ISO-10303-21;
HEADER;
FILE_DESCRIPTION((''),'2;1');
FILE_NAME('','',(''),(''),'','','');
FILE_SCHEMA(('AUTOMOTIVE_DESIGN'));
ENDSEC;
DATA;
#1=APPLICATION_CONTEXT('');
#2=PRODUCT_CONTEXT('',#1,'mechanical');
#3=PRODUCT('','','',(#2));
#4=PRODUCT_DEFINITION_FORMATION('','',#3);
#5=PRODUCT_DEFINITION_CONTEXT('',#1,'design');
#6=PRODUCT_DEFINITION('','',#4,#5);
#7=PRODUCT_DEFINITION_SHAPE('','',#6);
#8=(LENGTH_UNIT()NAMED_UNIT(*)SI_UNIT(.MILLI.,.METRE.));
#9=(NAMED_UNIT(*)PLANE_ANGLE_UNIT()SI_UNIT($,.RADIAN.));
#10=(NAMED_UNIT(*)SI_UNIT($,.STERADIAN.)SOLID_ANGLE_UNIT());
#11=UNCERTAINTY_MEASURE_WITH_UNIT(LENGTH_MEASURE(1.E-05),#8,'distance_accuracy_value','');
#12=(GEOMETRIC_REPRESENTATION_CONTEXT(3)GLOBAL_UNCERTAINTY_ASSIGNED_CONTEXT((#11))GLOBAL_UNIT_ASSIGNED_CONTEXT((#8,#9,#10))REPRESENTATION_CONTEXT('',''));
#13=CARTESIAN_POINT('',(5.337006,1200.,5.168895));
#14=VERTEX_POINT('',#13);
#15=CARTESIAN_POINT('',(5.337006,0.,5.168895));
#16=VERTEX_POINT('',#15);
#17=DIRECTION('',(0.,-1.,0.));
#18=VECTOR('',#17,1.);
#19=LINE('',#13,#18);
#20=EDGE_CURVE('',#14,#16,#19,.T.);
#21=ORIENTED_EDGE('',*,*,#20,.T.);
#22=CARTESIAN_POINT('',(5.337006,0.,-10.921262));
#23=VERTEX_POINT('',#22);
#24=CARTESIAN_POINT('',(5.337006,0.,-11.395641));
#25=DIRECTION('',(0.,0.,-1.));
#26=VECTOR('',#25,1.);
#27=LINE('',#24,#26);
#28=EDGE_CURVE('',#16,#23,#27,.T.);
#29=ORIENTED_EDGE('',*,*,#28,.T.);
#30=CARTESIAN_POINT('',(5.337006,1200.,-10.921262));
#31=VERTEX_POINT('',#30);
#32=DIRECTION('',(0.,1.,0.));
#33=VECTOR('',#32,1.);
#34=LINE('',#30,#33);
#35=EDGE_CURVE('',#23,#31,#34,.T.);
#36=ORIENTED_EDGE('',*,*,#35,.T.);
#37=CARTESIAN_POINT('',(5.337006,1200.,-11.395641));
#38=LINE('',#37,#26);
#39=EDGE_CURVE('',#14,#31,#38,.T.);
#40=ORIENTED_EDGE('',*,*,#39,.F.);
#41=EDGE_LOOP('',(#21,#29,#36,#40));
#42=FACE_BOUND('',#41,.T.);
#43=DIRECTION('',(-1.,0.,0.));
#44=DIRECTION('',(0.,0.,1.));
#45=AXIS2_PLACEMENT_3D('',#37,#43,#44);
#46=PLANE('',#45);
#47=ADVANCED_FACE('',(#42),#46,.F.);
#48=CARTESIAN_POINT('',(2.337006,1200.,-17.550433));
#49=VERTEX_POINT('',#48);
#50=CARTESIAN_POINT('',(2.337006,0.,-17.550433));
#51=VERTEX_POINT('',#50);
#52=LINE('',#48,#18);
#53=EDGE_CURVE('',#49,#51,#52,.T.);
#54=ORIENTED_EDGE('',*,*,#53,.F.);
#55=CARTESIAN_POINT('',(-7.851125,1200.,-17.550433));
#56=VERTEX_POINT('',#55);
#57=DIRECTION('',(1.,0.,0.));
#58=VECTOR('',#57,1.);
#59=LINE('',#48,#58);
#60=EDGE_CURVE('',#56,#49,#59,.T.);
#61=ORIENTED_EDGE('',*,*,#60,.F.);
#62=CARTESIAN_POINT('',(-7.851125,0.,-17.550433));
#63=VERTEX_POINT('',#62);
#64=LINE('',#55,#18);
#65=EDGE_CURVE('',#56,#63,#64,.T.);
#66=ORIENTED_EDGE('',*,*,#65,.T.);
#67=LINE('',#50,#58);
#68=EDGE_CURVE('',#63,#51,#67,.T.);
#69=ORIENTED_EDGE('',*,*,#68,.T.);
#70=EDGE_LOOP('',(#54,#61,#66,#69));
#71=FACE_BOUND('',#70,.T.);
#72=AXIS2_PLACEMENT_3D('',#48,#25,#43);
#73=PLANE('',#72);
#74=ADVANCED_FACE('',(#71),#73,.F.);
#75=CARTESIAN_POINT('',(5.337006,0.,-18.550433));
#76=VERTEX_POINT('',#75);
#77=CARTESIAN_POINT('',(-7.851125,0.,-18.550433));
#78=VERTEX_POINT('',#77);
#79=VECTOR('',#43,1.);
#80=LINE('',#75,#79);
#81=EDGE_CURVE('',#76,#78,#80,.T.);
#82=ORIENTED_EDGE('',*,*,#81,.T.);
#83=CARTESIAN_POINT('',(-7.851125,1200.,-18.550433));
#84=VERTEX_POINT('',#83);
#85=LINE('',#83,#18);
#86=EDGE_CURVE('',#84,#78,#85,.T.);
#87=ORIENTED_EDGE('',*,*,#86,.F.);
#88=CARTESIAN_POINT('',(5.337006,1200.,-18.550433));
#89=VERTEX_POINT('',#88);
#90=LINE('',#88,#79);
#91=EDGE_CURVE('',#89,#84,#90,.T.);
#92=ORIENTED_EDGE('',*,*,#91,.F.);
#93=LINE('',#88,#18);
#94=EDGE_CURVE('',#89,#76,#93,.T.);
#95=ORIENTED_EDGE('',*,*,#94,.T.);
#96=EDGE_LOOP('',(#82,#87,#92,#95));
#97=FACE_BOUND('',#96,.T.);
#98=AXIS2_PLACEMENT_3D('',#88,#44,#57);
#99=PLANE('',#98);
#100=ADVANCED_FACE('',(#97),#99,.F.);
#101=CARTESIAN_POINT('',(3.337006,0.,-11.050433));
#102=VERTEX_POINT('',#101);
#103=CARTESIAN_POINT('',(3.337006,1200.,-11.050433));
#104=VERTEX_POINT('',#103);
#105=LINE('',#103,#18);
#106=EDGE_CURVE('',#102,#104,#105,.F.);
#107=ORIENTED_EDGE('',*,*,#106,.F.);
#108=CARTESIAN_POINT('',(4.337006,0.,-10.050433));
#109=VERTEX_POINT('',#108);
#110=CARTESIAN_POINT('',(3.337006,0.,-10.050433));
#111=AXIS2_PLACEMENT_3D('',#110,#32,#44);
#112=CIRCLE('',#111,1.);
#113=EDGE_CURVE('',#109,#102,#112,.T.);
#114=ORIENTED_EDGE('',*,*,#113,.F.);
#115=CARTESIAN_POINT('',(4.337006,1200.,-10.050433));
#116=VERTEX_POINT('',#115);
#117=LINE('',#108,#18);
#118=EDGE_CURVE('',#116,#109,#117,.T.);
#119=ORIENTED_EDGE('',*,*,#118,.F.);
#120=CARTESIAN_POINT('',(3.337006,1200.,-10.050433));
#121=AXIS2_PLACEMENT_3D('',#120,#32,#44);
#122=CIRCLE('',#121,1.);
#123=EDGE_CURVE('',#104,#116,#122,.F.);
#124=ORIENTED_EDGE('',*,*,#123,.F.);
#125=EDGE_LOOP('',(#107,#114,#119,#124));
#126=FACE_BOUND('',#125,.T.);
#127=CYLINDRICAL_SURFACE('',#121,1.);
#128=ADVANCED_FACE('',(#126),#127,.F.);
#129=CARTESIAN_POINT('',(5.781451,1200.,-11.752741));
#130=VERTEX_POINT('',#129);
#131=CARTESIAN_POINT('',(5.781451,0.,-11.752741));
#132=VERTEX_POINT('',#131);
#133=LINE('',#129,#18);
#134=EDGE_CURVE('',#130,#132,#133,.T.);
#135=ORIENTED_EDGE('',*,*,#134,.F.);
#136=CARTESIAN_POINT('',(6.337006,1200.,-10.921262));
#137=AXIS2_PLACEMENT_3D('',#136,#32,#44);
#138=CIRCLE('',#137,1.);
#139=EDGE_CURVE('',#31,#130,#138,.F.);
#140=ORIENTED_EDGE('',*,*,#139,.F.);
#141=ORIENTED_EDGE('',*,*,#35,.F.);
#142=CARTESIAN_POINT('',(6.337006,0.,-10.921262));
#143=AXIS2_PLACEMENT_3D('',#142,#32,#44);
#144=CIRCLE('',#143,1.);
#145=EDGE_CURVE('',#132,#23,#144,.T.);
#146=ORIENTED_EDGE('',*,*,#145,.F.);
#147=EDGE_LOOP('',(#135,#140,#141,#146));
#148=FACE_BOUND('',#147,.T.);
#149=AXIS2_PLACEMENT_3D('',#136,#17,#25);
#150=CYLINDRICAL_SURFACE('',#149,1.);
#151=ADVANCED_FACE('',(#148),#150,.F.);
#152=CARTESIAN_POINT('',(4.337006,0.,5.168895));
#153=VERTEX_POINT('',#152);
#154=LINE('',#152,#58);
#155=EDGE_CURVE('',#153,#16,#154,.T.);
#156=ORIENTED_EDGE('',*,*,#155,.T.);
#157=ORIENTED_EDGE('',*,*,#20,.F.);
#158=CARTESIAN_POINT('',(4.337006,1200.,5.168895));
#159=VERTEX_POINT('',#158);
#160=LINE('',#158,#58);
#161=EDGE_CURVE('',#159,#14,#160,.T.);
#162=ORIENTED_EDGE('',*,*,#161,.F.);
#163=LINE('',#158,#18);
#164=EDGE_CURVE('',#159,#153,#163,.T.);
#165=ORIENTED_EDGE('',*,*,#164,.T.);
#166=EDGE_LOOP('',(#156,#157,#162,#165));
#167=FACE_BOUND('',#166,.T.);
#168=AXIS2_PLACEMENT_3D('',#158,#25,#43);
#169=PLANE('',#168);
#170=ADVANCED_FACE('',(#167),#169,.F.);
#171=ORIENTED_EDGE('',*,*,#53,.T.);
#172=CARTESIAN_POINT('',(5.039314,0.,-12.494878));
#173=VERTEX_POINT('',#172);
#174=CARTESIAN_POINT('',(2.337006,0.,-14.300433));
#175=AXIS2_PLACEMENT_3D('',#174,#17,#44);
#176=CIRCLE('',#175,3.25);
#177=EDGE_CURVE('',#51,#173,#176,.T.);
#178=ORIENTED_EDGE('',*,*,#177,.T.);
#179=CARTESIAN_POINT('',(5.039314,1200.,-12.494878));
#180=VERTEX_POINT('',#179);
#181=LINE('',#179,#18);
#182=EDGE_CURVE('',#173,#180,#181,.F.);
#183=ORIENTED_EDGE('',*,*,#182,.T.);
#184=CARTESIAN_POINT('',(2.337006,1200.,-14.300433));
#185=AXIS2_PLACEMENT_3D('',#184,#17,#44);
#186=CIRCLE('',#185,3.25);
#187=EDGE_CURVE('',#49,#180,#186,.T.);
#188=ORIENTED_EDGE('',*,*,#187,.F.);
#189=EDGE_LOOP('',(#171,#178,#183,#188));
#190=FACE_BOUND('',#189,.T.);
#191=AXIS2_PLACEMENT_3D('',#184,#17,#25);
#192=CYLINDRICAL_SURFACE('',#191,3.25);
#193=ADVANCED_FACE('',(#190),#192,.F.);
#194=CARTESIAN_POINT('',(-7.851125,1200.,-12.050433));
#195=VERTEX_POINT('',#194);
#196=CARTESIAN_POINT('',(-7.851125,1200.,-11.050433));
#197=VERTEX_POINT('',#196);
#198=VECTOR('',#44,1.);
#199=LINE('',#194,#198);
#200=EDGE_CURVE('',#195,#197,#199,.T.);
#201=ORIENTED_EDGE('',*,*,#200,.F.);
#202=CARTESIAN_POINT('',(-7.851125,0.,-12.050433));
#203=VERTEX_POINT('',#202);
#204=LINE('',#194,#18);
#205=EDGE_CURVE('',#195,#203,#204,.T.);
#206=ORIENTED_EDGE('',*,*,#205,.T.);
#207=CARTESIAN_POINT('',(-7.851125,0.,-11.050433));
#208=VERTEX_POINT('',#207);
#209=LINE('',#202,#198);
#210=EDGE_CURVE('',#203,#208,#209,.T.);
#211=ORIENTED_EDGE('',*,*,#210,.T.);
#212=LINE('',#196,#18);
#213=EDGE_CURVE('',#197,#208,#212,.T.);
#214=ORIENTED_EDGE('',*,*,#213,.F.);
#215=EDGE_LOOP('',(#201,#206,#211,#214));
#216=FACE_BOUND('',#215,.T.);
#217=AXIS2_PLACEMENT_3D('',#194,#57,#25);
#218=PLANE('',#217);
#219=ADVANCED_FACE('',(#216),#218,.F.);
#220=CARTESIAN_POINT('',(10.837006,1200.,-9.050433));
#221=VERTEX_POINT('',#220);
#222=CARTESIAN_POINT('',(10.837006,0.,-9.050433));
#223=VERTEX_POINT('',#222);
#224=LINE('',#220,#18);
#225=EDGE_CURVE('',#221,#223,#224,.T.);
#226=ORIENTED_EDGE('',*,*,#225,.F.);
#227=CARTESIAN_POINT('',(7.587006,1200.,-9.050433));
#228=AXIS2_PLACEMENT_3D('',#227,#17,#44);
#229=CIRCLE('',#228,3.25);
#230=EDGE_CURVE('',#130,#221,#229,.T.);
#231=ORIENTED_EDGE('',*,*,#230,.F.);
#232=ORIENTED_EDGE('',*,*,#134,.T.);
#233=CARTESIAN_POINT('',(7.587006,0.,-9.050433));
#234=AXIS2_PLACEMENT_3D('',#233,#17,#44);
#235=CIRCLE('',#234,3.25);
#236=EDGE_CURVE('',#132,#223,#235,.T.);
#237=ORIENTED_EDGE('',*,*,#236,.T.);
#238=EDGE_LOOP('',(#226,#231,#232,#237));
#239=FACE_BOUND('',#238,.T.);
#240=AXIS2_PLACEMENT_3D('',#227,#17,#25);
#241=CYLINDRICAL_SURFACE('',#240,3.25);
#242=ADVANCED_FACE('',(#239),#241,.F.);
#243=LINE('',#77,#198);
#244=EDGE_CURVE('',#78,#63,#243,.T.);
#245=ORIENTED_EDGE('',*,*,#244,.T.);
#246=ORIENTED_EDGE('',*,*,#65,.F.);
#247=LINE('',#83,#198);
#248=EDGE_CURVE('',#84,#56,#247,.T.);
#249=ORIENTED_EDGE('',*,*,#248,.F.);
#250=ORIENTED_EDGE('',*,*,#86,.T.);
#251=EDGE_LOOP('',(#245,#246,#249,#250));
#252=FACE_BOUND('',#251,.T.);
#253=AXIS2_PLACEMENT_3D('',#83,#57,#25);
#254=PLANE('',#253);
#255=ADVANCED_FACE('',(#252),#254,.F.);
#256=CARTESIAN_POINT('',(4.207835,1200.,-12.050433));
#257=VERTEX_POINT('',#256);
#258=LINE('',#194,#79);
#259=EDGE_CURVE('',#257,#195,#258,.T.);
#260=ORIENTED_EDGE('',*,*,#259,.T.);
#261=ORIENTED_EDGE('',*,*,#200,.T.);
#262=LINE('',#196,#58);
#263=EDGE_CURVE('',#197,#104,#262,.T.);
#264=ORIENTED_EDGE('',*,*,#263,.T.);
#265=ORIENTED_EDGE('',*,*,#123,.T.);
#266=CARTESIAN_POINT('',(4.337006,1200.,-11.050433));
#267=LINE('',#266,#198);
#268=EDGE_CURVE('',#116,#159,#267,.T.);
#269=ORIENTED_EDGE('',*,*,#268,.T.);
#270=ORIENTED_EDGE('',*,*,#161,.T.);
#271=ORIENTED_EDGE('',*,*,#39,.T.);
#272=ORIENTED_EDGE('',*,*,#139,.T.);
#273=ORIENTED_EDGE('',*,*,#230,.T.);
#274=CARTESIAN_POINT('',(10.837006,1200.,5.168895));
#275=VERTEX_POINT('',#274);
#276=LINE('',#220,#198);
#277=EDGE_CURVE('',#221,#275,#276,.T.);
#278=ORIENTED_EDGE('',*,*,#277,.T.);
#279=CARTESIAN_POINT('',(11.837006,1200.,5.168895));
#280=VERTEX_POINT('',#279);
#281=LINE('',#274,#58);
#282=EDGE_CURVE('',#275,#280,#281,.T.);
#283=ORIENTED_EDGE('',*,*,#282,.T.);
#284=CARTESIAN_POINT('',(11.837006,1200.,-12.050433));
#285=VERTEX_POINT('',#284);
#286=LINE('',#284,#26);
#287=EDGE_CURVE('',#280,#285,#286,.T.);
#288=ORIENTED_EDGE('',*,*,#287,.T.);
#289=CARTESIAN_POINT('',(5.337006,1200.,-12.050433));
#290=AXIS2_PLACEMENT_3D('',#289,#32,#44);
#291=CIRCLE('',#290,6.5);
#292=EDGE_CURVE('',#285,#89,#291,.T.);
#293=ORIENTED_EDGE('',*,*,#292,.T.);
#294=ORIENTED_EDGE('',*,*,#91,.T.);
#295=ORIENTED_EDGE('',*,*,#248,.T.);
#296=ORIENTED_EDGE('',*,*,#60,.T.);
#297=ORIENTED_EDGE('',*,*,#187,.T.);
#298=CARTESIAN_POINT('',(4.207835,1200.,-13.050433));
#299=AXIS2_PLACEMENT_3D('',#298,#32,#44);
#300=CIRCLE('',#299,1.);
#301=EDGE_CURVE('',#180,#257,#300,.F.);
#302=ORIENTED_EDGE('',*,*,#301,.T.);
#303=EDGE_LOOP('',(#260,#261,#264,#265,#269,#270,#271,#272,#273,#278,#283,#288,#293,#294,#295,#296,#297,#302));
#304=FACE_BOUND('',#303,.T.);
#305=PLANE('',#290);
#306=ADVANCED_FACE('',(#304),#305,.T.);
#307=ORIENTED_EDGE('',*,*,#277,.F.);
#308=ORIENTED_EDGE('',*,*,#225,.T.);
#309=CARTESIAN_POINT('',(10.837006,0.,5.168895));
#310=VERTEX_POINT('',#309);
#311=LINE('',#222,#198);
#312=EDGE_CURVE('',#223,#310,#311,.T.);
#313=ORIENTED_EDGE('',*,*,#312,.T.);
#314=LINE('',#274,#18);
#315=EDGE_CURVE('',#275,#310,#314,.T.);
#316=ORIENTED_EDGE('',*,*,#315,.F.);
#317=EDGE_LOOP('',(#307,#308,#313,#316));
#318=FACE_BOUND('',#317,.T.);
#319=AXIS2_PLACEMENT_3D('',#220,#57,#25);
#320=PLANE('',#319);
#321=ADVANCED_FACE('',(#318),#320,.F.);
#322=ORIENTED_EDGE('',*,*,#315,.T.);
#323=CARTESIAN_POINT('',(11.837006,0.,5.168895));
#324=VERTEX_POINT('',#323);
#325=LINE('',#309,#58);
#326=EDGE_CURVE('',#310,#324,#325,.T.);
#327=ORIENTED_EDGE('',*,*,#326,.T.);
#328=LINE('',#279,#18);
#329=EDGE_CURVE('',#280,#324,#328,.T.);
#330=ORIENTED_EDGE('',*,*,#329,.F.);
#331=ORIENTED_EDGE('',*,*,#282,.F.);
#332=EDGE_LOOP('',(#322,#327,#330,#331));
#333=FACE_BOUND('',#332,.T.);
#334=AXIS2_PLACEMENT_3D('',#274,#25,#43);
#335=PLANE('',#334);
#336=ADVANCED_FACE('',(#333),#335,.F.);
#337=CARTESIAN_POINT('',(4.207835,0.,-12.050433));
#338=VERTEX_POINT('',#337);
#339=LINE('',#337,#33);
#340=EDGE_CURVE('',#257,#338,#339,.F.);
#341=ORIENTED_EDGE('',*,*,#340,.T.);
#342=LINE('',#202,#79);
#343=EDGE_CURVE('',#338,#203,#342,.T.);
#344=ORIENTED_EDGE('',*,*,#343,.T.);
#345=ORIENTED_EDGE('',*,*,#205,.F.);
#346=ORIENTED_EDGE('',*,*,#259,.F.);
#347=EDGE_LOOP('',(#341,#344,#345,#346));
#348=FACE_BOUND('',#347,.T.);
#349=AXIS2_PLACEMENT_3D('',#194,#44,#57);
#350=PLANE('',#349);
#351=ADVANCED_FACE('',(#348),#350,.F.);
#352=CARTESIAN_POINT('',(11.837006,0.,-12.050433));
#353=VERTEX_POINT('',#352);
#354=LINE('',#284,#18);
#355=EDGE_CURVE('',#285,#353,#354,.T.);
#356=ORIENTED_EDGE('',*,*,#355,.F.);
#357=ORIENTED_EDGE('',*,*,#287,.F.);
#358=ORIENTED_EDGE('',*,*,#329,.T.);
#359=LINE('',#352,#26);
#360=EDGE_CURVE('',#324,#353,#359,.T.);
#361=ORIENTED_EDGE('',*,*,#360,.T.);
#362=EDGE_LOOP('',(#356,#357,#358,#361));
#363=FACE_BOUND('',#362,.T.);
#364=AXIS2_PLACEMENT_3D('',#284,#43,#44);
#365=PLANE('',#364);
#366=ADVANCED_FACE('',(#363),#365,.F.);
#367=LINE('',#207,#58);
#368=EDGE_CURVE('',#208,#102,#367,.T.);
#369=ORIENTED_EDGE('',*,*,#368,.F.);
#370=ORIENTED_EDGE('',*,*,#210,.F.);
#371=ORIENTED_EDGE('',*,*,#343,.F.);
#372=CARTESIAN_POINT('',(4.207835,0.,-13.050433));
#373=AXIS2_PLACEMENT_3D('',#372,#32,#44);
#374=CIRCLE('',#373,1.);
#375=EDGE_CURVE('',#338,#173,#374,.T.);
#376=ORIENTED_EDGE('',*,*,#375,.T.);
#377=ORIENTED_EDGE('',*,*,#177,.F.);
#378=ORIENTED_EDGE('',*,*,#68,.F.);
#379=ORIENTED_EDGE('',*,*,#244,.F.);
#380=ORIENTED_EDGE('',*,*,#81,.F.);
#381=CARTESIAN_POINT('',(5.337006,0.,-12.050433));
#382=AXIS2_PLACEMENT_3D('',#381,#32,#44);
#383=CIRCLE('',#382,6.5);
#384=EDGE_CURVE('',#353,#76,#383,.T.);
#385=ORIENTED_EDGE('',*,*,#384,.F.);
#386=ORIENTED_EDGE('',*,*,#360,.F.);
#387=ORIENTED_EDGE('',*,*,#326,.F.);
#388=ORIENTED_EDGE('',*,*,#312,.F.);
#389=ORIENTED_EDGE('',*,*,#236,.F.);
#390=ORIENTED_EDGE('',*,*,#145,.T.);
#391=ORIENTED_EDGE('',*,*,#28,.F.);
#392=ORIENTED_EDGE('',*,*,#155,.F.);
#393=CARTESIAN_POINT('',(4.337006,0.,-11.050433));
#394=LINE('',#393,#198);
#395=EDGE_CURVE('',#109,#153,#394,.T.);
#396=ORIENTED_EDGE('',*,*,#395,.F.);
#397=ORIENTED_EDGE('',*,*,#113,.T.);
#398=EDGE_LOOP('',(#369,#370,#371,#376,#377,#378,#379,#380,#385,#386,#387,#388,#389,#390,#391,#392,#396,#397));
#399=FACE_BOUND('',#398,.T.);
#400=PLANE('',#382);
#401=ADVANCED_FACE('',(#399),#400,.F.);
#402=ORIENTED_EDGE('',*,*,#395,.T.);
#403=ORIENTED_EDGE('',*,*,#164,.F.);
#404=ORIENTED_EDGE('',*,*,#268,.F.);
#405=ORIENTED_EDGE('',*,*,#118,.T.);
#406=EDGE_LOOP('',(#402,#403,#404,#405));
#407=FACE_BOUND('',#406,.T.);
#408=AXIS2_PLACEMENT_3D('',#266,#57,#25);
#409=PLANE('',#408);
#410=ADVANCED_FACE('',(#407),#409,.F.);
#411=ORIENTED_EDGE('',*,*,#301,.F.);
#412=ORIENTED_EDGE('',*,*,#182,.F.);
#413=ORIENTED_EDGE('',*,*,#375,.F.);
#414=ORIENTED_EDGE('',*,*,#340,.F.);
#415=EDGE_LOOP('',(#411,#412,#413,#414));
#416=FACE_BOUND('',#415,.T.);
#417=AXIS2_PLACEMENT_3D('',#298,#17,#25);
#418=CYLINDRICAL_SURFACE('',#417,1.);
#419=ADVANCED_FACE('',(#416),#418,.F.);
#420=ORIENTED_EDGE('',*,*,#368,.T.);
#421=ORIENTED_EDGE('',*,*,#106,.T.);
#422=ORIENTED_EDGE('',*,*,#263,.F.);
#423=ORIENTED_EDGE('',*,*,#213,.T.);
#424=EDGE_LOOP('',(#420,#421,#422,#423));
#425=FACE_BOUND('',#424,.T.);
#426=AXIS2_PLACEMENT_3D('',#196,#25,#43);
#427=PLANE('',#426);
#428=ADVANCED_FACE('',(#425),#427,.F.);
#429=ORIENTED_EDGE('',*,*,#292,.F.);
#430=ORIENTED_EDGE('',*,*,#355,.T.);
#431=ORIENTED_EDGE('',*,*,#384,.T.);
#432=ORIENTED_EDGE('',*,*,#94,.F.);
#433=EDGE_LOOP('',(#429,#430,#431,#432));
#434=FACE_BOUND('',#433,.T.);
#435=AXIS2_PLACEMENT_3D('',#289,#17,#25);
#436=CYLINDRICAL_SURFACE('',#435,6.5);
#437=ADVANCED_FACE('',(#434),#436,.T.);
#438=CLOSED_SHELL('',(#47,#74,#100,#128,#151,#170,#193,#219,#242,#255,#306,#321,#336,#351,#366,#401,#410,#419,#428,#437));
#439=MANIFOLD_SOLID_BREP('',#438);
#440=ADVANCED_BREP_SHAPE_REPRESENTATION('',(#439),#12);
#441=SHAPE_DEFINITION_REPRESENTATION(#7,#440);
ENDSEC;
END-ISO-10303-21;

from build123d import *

# Parameters (mm, degrees)
EXTRUDE_1_DEPTH = 1200
FILLET_1_R      = 1


with BuildPart() as part:
    # Sketch 1 → Extrude 1 (new body)
    with BuildSketch(Plane(origin=(0, 0, 0), x_dir=(1, 0, 0), z_dir=(0, 1, 0))):
        with BuildLine():
            Line((2.337006084, 17.550433348), (-7.851124943, 17.550433348))
            Line((-7.851124943, 17.550433348), (-7.851124943, 18.550433348))
            Line((-7.851124943, 18.550433348), (5.337006084, 18.550433348))
            ThreePointArc((5.337006084, 18.550433348), (9.933200162, 16.646627425), (11.837006084, 12.050433348))
            Line((11.837006084, 12.050433348), (11.837006084, -5.16889475))
            Line((11.837006084, -5.16889475), (10.837006084, -5.16889475))
            Line((10.837006084, -5.16889475), (10.837006084, 9.050433348))
            ThreePointArc((10.837006084, 9.050433348), (8.861760963, 12.039998533), (5.337006084, 11.395641227))
            Line((5.337006084, 11.395641227), (5.337006084, -5.16889475))
            Line((5.337006084, -5.16889475), (4.337006084, -5.16889475))
            Line((4.337006084, -5.16889475), (4.337006084, 11.050433348))
            Line((4.337006084, 11.050433348), (-7.851124943, 11.050433348))
            Line((-7.851124943, 11.050433348), (-7.851124943, 12.050433348))
            Line((-7.851124943, 12.050433348), (4.682213964, 12.050433348))
            ThreePointArc((4.682213964, 12.050433348), (5.32657127, 15.575188226), (2.337006084, 17.550433348))
        make_face()
    extrude(amount=EXTRUDE_1_DEPTH)

    # Fillet 1
    fillet_1_edges = [part.edges().sort_by_distance(p)[0] for p in [
        (5.337006084, 600, -11.395641227),
        (4.337006084, 600, -11.050433348),
        (4.682213964, 600, -12.050433348),
    ]]
    fillet(fillet_1_edges, radius=FILLET_1_R)


solid = part.part
